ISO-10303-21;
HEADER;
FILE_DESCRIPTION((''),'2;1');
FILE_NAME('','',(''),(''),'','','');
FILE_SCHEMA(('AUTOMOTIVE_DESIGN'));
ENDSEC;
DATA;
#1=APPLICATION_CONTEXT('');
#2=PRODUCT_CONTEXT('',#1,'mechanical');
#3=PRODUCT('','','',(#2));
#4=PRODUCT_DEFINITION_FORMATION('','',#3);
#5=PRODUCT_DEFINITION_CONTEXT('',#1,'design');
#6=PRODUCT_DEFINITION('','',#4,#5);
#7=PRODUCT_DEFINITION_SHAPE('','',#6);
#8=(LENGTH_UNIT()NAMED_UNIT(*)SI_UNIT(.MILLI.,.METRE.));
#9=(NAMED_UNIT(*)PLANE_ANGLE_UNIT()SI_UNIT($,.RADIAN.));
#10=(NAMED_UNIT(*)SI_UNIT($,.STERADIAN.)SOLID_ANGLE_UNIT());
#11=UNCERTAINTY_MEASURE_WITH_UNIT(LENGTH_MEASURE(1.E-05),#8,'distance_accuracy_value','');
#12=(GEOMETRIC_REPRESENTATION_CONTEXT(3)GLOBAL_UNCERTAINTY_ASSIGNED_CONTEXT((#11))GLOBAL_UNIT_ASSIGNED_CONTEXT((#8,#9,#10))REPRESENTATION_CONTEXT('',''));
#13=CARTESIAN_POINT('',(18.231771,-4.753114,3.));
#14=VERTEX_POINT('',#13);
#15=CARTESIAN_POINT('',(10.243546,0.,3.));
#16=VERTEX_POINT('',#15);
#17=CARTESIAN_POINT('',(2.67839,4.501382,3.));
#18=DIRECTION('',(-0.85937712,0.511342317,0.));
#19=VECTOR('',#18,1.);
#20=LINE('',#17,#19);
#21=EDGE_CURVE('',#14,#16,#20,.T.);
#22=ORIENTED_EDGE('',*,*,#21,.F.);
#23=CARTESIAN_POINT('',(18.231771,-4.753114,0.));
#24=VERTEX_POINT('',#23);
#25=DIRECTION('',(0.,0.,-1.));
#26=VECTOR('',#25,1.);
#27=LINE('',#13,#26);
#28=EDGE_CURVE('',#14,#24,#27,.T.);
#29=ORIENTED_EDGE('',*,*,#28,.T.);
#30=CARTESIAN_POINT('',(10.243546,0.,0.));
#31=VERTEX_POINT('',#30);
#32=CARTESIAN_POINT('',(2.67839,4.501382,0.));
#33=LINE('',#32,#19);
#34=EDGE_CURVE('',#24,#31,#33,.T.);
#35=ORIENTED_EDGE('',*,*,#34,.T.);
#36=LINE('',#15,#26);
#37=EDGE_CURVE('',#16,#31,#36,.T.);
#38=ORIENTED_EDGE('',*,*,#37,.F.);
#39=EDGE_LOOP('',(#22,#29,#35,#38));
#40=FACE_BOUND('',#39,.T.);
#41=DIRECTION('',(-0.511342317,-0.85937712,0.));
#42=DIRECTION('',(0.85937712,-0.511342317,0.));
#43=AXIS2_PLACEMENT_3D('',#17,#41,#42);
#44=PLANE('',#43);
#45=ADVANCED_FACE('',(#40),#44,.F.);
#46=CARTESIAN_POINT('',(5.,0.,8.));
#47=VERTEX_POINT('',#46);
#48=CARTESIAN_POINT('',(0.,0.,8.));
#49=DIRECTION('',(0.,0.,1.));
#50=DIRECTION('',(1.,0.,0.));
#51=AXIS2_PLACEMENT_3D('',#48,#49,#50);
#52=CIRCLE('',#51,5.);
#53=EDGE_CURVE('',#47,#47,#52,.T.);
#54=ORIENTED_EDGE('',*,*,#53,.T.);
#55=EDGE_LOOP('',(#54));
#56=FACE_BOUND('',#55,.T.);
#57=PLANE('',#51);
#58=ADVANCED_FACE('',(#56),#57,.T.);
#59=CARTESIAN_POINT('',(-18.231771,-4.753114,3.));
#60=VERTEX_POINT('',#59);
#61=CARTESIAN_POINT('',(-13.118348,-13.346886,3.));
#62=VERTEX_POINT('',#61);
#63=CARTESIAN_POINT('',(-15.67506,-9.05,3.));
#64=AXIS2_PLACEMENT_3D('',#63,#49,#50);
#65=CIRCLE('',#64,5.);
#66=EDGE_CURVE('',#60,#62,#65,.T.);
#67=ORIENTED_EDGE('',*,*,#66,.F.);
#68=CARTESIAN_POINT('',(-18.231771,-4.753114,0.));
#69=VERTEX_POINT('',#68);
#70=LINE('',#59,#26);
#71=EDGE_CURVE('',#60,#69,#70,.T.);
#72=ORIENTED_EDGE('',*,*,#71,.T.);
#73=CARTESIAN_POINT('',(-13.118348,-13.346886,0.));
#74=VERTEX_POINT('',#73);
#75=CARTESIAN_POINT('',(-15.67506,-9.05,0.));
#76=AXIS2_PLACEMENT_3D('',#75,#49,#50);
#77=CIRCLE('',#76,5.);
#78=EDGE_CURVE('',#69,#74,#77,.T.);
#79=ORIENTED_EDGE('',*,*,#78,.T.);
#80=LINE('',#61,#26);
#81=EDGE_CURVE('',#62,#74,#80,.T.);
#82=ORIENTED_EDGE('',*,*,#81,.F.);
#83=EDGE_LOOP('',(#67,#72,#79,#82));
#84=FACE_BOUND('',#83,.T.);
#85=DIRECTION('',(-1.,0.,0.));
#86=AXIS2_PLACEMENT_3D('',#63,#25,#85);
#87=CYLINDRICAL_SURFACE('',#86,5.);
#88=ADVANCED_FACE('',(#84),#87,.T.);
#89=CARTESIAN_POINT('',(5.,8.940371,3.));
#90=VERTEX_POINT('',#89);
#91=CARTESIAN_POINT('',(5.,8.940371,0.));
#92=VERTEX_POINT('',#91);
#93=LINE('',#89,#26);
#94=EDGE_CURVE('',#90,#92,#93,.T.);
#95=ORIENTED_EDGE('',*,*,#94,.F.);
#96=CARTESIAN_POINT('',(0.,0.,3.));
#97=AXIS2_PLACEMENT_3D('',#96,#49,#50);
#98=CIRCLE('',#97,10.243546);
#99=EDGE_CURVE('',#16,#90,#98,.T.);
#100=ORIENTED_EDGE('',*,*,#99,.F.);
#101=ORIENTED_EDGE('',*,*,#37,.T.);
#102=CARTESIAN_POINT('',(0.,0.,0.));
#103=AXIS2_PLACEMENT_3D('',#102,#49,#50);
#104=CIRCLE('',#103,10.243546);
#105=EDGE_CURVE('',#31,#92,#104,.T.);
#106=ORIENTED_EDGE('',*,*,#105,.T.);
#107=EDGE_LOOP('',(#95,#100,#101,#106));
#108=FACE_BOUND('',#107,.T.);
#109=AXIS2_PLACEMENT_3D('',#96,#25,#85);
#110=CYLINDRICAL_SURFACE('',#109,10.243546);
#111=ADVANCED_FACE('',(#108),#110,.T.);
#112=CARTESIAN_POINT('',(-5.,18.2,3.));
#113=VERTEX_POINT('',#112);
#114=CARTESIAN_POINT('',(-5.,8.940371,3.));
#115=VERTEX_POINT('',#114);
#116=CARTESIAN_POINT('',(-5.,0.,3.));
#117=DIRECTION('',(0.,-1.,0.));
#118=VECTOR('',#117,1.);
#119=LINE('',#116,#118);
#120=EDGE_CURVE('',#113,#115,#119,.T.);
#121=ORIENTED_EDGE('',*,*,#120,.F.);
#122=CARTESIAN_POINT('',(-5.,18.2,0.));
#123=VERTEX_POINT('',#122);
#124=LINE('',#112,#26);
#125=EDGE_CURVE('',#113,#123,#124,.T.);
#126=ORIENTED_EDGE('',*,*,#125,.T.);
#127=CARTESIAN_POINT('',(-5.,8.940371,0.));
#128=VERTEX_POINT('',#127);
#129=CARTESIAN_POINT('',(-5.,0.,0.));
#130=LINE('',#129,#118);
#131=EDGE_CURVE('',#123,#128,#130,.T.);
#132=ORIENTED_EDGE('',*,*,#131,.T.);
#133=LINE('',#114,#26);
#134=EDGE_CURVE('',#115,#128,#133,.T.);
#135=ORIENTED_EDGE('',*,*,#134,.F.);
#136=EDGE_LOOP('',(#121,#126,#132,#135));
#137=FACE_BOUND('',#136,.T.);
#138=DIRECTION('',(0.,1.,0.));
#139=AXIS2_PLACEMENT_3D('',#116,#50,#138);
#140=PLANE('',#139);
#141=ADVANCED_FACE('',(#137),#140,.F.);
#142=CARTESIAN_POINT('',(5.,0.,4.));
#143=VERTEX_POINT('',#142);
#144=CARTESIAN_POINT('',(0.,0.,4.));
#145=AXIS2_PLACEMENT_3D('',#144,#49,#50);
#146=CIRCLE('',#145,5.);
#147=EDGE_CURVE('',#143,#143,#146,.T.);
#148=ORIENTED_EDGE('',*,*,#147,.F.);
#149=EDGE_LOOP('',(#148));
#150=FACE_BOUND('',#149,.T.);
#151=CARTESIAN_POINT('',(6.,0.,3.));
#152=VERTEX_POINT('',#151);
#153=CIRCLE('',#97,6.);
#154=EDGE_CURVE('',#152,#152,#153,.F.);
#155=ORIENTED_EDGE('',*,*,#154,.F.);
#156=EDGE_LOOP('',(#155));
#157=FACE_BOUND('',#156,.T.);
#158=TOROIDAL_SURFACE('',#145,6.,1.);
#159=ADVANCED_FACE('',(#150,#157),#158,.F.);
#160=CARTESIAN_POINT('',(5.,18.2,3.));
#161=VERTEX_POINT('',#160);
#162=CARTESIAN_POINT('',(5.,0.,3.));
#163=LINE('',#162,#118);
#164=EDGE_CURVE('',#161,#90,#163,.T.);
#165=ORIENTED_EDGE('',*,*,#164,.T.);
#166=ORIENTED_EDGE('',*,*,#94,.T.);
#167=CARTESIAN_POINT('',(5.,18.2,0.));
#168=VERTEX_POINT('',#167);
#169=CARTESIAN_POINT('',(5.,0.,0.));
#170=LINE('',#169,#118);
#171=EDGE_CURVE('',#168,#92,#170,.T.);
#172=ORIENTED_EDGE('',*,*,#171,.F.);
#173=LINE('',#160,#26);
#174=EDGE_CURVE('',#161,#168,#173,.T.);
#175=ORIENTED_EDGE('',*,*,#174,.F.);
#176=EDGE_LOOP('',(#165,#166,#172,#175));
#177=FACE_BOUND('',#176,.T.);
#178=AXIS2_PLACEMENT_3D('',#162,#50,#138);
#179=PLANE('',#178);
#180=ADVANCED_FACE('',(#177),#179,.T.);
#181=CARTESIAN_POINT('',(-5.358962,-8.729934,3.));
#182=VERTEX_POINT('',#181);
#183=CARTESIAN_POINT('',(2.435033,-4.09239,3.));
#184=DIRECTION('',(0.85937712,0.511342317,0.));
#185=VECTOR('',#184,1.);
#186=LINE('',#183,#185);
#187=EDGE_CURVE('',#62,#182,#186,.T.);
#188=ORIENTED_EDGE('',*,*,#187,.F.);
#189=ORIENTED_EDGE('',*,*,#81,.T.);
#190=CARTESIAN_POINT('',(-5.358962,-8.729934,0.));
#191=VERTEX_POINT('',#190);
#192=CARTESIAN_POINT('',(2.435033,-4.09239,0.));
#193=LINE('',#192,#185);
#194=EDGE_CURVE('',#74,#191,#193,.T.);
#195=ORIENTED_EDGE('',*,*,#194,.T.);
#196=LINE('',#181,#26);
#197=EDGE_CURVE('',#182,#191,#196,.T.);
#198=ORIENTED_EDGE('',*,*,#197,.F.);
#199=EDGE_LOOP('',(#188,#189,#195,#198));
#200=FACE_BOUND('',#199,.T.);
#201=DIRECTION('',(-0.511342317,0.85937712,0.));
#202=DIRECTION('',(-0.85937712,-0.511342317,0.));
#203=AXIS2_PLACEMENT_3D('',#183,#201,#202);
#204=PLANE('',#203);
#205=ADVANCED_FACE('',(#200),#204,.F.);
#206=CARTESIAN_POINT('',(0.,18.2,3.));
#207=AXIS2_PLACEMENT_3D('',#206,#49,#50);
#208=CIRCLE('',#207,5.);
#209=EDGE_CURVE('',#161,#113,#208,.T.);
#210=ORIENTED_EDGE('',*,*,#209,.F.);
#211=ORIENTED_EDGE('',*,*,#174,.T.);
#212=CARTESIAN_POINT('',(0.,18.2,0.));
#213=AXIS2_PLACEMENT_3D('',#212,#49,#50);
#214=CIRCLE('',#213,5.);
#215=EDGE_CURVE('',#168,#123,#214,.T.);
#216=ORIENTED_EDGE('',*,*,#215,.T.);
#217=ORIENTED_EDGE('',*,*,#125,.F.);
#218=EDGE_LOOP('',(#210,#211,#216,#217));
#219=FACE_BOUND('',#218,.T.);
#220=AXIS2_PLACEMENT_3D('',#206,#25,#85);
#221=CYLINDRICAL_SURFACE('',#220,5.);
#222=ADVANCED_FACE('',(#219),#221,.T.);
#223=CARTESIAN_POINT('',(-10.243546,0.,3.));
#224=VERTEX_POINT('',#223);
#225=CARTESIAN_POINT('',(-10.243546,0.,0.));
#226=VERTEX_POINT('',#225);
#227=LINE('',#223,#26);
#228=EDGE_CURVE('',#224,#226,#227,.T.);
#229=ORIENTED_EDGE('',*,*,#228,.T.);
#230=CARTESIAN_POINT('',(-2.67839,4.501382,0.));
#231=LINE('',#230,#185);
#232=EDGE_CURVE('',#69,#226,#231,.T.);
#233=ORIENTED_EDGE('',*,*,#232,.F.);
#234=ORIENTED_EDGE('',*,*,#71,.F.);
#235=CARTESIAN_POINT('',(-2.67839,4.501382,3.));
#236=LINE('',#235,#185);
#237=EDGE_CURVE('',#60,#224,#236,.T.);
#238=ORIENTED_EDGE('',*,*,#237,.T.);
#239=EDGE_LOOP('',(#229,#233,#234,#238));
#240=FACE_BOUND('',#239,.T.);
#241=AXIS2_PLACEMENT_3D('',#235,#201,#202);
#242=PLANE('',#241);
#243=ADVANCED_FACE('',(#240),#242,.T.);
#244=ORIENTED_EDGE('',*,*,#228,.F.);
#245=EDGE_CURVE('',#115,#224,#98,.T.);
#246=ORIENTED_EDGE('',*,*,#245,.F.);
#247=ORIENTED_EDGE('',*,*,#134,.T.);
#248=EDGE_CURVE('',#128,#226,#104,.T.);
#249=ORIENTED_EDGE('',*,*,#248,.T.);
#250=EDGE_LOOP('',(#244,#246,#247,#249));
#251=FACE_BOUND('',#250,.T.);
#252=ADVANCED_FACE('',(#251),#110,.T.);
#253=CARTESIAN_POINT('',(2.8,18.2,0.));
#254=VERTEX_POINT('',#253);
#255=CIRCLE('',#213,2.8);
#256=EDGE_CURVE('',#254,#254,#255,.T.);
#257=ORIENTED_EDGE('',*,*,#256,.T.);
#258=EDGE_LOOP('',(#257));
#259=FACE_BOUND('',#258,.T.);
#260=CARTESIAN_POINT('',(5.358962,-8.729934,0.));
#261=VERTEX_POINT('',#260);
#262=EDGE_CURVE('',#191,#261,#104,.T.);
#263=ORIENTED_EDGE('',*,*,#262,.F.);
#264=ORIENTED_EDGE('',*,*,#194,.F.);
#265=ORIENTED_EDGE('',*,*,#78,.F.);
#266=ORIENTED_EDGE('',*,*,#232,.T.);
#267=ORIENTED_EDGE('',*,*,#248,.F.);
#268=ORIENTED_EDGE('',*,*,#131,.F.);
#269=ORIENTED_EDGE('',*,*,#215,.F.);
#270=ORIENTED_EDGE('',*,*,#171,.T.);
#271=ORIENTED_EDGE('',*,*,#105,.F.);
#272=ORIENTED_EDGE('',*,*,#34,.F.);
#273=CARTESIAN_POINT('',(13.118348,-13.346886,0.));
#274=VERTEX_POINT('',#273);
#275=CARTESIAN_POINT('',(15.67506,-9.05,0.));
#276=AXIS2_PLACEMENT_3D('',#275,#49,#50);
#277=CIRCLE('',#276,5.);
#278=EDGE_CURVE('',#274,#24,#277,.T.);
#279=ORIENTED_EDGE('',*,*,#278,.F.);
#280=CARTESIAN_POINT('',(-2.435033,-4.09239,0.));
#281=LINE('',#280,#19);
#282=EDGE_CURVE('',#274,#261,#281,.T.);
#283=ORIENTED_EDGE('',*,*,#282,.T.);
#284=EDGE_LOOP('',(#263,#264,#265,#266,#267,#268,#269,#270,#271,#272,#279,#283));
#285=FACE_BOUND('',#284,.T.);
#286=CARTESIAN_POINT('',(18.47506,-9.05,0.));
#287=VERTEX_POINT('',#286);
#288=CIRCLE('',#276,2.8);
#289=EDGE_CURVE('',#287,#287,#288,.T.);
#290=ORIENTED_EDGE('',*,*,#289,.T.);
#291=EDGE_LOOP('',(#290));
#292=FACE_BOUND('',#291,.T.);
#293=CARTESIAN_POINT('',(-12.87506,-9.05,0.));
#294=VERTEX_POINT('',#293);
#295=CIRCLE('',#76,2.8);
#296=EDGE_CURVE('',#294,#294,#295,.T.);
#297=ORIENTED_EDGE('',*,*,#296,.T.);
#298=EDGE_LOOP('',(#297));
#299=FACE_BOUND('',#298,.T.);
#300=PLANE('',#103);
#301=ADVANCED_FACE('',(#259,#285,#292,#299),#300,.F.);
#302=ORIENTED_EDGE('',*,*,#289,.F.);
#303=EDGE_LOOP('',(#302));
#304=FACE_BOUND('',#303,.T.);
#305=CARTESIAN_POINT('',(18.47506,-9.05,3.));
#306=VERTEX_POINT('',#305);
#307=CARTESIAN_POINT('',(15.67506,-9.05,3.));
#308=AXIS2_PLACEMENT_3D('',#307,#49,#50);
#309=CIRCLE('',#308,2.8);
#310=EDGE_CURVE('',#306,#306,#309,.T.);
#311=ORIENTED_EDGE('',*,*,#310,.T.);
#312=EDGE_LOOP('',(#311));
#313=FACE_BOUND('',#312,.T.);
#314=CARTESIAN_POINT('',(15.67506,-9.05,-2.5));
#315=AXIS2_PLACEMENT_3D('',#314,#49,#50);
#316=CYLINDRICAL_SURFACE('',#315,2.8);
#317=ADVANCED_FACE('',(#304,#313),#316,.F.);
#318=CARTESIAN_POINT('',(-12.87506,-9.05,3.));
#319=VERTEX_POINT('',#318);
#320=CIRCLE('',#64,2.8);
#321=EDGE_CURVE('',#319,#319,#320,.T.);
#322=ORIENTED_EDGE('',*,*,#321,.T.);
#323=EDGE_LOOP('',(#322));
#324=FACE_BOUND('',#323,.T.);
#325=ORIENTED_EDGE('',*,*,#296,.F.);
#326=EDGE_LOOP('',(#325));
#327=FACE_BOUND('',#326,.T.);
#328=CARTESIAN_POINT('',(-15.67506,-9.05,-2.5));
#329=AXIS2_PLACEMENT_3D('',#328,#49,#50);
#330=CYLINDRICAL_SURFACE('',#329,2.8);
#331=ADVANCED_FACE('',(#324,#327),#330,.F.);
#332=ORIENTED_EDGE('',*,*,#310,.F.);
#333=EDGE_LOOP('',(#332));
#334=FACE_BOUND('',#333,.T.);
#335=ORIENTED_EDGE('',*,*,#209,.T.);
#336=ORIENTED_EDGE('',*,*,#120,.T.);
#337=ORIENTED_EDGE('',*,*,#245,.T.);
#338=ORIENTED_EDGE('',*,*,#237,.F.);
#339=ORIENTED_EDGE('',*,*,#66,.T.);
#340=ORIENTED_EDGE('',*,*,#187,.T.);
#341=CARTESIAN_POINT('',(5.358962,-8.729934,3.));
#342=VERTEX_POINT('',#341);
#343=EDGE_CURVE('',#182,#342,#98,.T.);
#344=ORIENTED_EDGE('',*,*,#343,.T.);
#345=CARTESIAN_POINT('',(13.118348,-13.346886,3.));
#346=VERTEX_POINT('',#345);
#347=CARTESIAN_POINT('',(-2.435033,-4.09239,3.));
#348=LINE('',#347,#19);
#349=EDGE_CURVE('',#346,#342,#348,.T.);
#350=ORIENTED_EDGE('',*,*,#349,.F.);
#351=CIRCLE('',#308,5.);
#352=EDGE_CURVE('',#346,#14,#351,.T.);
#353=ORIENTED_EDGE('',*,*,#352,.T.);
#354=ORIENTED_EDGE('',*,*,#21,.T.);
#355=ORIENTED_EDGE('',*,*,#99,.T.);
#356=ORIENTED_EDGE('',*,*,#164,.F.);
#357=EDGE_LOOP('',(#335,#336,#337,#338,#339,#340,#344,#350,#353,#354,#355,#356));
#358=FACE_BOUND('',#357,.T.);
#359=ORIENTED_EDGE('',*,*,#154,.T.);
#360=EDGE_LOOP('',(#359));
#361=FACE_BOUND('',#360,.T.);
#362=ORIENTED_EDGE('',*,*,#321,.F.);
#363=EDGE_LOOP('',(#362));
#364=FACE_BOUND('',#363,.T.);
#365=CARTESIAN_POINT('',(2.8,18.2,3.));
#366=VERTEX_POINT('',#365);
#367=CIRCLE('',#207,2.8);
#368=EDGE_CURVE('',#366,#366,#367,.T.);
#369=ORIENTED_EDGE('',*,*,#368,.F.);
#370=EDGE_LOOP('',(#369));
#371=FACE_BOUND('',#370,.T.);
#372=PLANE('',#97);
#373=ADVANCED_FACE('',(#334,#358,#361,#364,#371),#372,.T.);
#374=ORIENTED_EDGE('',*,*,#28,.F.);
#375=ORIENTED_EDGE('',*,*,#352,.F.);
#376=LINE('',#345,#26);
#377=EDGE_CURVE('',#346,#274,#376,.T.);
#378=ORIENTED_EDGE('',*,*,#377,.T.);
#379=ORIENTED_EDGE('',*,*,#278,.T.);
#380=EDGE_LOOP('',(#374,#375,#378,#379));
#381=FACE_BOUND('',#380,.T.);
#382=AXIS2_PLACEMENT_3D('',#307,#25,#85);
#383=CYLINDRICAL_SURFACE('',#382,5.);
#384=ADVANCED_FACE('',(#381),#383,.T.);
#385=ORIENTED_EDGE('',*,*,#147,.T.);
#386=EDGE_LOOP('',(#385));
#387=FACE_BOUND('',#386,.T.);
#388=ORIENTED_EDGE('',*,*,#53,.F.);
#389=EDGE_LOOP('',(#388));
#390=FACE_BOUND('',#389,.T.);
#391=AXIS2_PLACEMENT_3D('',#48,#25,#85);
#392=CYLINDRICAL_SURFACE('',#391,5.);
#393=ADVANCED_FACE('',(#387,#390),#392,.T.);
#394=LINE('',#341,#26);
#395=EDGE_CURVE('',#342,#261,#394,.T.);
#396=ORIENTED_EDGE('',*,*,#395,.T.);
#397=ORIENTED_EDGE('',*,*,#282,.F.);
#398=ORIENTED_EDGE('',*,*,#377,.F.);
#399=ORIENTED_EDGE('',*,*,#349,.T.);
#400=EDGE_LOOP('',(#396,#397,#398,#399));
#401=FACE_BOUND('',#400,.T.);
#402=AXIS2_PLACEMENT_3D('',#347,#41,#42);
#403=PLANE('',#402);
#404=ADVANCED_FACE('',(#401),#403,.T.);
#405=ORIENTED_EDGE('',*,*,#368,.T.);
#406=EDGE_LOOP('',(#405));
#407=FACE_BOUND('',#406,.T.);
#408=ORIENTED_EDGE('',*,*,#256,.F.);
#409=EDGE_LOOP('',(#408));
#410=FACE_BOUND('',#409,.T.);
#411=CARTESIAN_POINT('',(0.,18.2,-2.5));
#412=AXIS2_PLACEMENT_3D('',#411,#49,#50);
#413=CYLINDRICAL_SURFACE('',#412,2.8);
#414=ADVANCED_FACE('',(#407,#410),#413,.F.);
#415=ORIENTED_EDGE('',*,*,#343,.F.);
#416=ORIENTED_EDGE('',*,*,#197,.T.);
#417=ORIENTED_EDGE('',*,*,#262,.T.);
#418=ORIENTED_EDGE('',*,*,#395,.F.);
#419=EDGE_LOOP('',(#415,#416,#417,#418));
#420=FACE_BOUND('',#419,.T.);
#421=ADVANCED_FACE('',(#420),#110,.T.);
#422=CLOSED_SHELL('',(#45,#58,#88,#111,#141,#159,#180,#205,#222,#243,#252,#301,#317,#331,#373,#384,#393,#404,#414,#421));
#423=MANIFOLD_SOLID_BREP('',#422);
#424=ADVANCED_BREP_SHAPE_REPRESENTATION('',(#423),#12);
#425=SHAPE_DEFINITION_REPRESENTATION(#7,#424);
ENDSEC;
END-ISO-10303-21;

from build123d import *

# Parameters (mm, degrees)
SALIENTE_EXTRUIR1_DEPTH = 3
CROQUIS2_R              = 2.8
CORTAR_EXTRUIR3_DEPTH   = 5.5
CROQUIS3_R              = 5
SALIENTE_EXTRUIR2_DEPTH = 5
REDONDEO1_R             = 1


with BuildPart() as part:
    # Croquis1 → Saliente-Extruir1 (new body)
    with BuildSketch(Plane.XY):
        with BuildLine():
            Line((-13.118348224, -13.346885602), (-5.358962429, -8.729934305))
            ThreePointArc((-5.358962429, -8.729934305), (0, -10.243545836), (5.358962429, -8.729934305))
            Line((5.358962429, -8.729934305), (13.118348224, -13.346885602))
            ThreePointArc((13.118348224, -13.346885602), (19.97194541, -11.606711584), (18.231771393, -4.753114398))
            Line((18.231771393, -4.753114398), (10.243545836, 0))
            ThreePointArc((10.243545836, 0), (8.83594818, 5.182301714), (5, 8.94037087))
            Line((5, 8.94037087), (5, 18.2))
            ThreePointArc((5, 18.2), (0, 23.2), (-5, 18.2))
            Line((-5, 18.2), (-5, 8.94037087))
            ThreePointArc((-5, 8.94037087), (-8.83594818, 5.182301714), (-10.243545836, 0))
            Line((-10.243545836, 0), (-18.231771393, -4.753114398))
            ThreePointArc((-18.231771393, -4.753114398), (-19.97194541, -11.606711584), (-13.118348224, -13.346885602))
        make_face()
    extrude(amount=SALIENTE_EXTRUIR1_DEPTH)

    # Croquis2 → Cortar-Extruir3 (cut)
    with BuildSketch(Plane.XY.offset(3)):
        with Locations((0, 18.2)):
            Circle(CROQUIS2_R)
        with Locations((15.675059808, -9.05)):
            Circle(CROQUIS2_R)
        with Locations((-15.675059808, -9.05)):
            Circle(CROQUIS2_R)
    extrude(amount=-CORTAR_EXTRUIR3_DEPTH, mode=Mode.SUBTRACT)

    # Croquis3 → Saliente-Extruir2 (add)
    with BuildSketch(Plane.XY.offset(3)):
        Circle(CROQUIS3_R)
    extrude(amount=SALIENTE_EXTRUIR2_DEPTH)

    # Redondeo1
    redondeo1_edges = [part.edges().sort_by_distance(p)[0] for p in [
        (-5, 0, 3),
    ]]
    fillet(redondeo1_edges, radius=REDONDEO1_R)


solid = part.part
